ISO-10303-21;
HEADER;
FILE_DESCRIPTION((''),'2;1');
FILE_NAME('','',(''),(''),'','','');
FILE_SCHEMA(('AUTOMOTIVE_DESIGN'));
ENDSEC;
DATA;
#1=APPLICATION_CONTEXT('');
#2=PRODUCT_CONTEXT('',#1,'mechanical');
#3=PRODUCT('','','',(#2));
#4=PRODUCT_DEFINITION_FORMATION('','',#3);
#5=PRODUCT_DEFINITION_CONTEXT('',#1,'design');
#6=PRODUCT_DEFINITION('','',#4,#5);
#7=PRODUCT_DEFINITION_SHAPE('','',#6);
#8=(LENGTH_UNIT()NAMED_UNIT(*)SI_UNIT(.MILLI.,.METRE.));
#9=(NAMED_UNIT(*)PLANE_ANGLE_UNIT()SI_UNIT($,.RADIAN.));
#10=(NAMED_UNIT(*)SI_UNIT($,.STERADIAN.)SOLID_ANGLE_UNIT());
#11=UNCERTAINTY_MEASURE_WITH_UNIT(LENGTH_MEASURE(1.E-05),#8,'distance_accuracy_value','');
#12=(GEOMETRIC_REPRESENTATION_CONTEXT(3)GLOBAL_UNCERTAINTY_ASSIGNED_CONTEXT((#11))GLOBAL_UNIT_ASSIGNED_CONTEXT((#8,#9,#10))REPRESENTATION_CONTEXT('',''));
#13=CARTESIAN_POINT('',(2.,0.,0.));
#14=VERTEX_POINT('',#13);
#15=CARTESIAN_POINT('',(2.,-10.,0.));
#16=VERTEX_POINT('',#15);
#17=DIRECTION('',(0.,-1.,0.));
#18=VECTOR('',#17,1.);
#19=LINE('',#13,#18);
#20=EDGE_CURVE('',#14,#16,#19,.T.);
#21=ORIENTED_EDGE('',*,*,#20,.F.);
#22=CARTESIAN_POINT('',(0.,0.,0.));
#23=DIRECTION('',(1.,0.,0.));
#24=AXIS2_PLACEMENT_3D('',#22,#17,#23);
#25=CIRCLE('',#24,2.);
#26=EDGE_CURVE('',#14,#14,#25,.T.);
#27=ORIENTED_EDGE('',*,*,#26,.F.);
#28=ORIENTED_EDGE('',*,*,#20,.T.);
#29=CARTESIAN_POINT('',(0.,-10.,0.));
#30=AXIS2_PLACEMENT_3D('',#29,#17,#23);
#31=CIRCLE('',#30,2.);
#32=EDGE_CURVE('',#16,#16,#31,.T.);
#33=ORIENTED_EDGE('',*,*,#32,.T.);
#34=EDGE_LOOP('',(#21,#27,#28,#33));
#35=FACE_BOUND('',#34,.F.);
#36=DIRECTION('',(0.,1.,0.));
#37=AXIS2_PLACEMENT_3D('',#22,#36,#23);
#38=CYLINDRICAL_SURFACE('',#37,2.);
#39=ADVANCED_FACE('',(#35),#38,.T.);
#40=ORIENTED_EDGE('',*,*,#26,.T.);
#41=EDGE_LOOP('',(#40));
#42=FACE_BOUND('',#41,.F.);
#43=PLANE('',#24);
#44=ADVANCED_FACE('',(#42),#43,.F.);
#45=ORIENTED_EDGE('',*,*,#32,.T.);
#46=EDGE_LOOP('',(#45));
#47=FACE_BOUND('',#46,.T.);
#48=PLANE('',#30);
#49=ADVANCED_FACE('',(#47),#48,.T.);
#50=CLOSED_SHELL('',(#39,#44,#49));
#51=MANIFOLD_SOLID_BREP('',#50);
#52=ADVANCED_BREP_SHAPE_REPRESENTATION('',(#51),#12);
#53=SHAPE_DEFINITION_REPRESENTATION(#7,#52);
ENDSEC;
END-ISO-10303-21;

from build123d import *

# Parameters (mm, degrees)
CYLINDER_R          = 2
CYLINDER_DEPTH      = 10
CYLINDER_ROLL_ANGLE = 90


with BuildPart() as part:
    # Cylinder → Cylinder (new body)
    with BuildSketch(Plane.XY):
        Circle(CYLINDER_R)
    extrude(amount=CYLINDER_DEPTH)


with BuildPart() as part_1:
    # Cylinder roll: moved
    add(part.part.rotate(Axis((0, 0, 0), (1, 0, 0)), CYLINDER_ROLL_ANGLE))


with BuildPart() as part_2:
    # Cylinder placement: moved
    add(part_1.part)


solid = part_2.part
